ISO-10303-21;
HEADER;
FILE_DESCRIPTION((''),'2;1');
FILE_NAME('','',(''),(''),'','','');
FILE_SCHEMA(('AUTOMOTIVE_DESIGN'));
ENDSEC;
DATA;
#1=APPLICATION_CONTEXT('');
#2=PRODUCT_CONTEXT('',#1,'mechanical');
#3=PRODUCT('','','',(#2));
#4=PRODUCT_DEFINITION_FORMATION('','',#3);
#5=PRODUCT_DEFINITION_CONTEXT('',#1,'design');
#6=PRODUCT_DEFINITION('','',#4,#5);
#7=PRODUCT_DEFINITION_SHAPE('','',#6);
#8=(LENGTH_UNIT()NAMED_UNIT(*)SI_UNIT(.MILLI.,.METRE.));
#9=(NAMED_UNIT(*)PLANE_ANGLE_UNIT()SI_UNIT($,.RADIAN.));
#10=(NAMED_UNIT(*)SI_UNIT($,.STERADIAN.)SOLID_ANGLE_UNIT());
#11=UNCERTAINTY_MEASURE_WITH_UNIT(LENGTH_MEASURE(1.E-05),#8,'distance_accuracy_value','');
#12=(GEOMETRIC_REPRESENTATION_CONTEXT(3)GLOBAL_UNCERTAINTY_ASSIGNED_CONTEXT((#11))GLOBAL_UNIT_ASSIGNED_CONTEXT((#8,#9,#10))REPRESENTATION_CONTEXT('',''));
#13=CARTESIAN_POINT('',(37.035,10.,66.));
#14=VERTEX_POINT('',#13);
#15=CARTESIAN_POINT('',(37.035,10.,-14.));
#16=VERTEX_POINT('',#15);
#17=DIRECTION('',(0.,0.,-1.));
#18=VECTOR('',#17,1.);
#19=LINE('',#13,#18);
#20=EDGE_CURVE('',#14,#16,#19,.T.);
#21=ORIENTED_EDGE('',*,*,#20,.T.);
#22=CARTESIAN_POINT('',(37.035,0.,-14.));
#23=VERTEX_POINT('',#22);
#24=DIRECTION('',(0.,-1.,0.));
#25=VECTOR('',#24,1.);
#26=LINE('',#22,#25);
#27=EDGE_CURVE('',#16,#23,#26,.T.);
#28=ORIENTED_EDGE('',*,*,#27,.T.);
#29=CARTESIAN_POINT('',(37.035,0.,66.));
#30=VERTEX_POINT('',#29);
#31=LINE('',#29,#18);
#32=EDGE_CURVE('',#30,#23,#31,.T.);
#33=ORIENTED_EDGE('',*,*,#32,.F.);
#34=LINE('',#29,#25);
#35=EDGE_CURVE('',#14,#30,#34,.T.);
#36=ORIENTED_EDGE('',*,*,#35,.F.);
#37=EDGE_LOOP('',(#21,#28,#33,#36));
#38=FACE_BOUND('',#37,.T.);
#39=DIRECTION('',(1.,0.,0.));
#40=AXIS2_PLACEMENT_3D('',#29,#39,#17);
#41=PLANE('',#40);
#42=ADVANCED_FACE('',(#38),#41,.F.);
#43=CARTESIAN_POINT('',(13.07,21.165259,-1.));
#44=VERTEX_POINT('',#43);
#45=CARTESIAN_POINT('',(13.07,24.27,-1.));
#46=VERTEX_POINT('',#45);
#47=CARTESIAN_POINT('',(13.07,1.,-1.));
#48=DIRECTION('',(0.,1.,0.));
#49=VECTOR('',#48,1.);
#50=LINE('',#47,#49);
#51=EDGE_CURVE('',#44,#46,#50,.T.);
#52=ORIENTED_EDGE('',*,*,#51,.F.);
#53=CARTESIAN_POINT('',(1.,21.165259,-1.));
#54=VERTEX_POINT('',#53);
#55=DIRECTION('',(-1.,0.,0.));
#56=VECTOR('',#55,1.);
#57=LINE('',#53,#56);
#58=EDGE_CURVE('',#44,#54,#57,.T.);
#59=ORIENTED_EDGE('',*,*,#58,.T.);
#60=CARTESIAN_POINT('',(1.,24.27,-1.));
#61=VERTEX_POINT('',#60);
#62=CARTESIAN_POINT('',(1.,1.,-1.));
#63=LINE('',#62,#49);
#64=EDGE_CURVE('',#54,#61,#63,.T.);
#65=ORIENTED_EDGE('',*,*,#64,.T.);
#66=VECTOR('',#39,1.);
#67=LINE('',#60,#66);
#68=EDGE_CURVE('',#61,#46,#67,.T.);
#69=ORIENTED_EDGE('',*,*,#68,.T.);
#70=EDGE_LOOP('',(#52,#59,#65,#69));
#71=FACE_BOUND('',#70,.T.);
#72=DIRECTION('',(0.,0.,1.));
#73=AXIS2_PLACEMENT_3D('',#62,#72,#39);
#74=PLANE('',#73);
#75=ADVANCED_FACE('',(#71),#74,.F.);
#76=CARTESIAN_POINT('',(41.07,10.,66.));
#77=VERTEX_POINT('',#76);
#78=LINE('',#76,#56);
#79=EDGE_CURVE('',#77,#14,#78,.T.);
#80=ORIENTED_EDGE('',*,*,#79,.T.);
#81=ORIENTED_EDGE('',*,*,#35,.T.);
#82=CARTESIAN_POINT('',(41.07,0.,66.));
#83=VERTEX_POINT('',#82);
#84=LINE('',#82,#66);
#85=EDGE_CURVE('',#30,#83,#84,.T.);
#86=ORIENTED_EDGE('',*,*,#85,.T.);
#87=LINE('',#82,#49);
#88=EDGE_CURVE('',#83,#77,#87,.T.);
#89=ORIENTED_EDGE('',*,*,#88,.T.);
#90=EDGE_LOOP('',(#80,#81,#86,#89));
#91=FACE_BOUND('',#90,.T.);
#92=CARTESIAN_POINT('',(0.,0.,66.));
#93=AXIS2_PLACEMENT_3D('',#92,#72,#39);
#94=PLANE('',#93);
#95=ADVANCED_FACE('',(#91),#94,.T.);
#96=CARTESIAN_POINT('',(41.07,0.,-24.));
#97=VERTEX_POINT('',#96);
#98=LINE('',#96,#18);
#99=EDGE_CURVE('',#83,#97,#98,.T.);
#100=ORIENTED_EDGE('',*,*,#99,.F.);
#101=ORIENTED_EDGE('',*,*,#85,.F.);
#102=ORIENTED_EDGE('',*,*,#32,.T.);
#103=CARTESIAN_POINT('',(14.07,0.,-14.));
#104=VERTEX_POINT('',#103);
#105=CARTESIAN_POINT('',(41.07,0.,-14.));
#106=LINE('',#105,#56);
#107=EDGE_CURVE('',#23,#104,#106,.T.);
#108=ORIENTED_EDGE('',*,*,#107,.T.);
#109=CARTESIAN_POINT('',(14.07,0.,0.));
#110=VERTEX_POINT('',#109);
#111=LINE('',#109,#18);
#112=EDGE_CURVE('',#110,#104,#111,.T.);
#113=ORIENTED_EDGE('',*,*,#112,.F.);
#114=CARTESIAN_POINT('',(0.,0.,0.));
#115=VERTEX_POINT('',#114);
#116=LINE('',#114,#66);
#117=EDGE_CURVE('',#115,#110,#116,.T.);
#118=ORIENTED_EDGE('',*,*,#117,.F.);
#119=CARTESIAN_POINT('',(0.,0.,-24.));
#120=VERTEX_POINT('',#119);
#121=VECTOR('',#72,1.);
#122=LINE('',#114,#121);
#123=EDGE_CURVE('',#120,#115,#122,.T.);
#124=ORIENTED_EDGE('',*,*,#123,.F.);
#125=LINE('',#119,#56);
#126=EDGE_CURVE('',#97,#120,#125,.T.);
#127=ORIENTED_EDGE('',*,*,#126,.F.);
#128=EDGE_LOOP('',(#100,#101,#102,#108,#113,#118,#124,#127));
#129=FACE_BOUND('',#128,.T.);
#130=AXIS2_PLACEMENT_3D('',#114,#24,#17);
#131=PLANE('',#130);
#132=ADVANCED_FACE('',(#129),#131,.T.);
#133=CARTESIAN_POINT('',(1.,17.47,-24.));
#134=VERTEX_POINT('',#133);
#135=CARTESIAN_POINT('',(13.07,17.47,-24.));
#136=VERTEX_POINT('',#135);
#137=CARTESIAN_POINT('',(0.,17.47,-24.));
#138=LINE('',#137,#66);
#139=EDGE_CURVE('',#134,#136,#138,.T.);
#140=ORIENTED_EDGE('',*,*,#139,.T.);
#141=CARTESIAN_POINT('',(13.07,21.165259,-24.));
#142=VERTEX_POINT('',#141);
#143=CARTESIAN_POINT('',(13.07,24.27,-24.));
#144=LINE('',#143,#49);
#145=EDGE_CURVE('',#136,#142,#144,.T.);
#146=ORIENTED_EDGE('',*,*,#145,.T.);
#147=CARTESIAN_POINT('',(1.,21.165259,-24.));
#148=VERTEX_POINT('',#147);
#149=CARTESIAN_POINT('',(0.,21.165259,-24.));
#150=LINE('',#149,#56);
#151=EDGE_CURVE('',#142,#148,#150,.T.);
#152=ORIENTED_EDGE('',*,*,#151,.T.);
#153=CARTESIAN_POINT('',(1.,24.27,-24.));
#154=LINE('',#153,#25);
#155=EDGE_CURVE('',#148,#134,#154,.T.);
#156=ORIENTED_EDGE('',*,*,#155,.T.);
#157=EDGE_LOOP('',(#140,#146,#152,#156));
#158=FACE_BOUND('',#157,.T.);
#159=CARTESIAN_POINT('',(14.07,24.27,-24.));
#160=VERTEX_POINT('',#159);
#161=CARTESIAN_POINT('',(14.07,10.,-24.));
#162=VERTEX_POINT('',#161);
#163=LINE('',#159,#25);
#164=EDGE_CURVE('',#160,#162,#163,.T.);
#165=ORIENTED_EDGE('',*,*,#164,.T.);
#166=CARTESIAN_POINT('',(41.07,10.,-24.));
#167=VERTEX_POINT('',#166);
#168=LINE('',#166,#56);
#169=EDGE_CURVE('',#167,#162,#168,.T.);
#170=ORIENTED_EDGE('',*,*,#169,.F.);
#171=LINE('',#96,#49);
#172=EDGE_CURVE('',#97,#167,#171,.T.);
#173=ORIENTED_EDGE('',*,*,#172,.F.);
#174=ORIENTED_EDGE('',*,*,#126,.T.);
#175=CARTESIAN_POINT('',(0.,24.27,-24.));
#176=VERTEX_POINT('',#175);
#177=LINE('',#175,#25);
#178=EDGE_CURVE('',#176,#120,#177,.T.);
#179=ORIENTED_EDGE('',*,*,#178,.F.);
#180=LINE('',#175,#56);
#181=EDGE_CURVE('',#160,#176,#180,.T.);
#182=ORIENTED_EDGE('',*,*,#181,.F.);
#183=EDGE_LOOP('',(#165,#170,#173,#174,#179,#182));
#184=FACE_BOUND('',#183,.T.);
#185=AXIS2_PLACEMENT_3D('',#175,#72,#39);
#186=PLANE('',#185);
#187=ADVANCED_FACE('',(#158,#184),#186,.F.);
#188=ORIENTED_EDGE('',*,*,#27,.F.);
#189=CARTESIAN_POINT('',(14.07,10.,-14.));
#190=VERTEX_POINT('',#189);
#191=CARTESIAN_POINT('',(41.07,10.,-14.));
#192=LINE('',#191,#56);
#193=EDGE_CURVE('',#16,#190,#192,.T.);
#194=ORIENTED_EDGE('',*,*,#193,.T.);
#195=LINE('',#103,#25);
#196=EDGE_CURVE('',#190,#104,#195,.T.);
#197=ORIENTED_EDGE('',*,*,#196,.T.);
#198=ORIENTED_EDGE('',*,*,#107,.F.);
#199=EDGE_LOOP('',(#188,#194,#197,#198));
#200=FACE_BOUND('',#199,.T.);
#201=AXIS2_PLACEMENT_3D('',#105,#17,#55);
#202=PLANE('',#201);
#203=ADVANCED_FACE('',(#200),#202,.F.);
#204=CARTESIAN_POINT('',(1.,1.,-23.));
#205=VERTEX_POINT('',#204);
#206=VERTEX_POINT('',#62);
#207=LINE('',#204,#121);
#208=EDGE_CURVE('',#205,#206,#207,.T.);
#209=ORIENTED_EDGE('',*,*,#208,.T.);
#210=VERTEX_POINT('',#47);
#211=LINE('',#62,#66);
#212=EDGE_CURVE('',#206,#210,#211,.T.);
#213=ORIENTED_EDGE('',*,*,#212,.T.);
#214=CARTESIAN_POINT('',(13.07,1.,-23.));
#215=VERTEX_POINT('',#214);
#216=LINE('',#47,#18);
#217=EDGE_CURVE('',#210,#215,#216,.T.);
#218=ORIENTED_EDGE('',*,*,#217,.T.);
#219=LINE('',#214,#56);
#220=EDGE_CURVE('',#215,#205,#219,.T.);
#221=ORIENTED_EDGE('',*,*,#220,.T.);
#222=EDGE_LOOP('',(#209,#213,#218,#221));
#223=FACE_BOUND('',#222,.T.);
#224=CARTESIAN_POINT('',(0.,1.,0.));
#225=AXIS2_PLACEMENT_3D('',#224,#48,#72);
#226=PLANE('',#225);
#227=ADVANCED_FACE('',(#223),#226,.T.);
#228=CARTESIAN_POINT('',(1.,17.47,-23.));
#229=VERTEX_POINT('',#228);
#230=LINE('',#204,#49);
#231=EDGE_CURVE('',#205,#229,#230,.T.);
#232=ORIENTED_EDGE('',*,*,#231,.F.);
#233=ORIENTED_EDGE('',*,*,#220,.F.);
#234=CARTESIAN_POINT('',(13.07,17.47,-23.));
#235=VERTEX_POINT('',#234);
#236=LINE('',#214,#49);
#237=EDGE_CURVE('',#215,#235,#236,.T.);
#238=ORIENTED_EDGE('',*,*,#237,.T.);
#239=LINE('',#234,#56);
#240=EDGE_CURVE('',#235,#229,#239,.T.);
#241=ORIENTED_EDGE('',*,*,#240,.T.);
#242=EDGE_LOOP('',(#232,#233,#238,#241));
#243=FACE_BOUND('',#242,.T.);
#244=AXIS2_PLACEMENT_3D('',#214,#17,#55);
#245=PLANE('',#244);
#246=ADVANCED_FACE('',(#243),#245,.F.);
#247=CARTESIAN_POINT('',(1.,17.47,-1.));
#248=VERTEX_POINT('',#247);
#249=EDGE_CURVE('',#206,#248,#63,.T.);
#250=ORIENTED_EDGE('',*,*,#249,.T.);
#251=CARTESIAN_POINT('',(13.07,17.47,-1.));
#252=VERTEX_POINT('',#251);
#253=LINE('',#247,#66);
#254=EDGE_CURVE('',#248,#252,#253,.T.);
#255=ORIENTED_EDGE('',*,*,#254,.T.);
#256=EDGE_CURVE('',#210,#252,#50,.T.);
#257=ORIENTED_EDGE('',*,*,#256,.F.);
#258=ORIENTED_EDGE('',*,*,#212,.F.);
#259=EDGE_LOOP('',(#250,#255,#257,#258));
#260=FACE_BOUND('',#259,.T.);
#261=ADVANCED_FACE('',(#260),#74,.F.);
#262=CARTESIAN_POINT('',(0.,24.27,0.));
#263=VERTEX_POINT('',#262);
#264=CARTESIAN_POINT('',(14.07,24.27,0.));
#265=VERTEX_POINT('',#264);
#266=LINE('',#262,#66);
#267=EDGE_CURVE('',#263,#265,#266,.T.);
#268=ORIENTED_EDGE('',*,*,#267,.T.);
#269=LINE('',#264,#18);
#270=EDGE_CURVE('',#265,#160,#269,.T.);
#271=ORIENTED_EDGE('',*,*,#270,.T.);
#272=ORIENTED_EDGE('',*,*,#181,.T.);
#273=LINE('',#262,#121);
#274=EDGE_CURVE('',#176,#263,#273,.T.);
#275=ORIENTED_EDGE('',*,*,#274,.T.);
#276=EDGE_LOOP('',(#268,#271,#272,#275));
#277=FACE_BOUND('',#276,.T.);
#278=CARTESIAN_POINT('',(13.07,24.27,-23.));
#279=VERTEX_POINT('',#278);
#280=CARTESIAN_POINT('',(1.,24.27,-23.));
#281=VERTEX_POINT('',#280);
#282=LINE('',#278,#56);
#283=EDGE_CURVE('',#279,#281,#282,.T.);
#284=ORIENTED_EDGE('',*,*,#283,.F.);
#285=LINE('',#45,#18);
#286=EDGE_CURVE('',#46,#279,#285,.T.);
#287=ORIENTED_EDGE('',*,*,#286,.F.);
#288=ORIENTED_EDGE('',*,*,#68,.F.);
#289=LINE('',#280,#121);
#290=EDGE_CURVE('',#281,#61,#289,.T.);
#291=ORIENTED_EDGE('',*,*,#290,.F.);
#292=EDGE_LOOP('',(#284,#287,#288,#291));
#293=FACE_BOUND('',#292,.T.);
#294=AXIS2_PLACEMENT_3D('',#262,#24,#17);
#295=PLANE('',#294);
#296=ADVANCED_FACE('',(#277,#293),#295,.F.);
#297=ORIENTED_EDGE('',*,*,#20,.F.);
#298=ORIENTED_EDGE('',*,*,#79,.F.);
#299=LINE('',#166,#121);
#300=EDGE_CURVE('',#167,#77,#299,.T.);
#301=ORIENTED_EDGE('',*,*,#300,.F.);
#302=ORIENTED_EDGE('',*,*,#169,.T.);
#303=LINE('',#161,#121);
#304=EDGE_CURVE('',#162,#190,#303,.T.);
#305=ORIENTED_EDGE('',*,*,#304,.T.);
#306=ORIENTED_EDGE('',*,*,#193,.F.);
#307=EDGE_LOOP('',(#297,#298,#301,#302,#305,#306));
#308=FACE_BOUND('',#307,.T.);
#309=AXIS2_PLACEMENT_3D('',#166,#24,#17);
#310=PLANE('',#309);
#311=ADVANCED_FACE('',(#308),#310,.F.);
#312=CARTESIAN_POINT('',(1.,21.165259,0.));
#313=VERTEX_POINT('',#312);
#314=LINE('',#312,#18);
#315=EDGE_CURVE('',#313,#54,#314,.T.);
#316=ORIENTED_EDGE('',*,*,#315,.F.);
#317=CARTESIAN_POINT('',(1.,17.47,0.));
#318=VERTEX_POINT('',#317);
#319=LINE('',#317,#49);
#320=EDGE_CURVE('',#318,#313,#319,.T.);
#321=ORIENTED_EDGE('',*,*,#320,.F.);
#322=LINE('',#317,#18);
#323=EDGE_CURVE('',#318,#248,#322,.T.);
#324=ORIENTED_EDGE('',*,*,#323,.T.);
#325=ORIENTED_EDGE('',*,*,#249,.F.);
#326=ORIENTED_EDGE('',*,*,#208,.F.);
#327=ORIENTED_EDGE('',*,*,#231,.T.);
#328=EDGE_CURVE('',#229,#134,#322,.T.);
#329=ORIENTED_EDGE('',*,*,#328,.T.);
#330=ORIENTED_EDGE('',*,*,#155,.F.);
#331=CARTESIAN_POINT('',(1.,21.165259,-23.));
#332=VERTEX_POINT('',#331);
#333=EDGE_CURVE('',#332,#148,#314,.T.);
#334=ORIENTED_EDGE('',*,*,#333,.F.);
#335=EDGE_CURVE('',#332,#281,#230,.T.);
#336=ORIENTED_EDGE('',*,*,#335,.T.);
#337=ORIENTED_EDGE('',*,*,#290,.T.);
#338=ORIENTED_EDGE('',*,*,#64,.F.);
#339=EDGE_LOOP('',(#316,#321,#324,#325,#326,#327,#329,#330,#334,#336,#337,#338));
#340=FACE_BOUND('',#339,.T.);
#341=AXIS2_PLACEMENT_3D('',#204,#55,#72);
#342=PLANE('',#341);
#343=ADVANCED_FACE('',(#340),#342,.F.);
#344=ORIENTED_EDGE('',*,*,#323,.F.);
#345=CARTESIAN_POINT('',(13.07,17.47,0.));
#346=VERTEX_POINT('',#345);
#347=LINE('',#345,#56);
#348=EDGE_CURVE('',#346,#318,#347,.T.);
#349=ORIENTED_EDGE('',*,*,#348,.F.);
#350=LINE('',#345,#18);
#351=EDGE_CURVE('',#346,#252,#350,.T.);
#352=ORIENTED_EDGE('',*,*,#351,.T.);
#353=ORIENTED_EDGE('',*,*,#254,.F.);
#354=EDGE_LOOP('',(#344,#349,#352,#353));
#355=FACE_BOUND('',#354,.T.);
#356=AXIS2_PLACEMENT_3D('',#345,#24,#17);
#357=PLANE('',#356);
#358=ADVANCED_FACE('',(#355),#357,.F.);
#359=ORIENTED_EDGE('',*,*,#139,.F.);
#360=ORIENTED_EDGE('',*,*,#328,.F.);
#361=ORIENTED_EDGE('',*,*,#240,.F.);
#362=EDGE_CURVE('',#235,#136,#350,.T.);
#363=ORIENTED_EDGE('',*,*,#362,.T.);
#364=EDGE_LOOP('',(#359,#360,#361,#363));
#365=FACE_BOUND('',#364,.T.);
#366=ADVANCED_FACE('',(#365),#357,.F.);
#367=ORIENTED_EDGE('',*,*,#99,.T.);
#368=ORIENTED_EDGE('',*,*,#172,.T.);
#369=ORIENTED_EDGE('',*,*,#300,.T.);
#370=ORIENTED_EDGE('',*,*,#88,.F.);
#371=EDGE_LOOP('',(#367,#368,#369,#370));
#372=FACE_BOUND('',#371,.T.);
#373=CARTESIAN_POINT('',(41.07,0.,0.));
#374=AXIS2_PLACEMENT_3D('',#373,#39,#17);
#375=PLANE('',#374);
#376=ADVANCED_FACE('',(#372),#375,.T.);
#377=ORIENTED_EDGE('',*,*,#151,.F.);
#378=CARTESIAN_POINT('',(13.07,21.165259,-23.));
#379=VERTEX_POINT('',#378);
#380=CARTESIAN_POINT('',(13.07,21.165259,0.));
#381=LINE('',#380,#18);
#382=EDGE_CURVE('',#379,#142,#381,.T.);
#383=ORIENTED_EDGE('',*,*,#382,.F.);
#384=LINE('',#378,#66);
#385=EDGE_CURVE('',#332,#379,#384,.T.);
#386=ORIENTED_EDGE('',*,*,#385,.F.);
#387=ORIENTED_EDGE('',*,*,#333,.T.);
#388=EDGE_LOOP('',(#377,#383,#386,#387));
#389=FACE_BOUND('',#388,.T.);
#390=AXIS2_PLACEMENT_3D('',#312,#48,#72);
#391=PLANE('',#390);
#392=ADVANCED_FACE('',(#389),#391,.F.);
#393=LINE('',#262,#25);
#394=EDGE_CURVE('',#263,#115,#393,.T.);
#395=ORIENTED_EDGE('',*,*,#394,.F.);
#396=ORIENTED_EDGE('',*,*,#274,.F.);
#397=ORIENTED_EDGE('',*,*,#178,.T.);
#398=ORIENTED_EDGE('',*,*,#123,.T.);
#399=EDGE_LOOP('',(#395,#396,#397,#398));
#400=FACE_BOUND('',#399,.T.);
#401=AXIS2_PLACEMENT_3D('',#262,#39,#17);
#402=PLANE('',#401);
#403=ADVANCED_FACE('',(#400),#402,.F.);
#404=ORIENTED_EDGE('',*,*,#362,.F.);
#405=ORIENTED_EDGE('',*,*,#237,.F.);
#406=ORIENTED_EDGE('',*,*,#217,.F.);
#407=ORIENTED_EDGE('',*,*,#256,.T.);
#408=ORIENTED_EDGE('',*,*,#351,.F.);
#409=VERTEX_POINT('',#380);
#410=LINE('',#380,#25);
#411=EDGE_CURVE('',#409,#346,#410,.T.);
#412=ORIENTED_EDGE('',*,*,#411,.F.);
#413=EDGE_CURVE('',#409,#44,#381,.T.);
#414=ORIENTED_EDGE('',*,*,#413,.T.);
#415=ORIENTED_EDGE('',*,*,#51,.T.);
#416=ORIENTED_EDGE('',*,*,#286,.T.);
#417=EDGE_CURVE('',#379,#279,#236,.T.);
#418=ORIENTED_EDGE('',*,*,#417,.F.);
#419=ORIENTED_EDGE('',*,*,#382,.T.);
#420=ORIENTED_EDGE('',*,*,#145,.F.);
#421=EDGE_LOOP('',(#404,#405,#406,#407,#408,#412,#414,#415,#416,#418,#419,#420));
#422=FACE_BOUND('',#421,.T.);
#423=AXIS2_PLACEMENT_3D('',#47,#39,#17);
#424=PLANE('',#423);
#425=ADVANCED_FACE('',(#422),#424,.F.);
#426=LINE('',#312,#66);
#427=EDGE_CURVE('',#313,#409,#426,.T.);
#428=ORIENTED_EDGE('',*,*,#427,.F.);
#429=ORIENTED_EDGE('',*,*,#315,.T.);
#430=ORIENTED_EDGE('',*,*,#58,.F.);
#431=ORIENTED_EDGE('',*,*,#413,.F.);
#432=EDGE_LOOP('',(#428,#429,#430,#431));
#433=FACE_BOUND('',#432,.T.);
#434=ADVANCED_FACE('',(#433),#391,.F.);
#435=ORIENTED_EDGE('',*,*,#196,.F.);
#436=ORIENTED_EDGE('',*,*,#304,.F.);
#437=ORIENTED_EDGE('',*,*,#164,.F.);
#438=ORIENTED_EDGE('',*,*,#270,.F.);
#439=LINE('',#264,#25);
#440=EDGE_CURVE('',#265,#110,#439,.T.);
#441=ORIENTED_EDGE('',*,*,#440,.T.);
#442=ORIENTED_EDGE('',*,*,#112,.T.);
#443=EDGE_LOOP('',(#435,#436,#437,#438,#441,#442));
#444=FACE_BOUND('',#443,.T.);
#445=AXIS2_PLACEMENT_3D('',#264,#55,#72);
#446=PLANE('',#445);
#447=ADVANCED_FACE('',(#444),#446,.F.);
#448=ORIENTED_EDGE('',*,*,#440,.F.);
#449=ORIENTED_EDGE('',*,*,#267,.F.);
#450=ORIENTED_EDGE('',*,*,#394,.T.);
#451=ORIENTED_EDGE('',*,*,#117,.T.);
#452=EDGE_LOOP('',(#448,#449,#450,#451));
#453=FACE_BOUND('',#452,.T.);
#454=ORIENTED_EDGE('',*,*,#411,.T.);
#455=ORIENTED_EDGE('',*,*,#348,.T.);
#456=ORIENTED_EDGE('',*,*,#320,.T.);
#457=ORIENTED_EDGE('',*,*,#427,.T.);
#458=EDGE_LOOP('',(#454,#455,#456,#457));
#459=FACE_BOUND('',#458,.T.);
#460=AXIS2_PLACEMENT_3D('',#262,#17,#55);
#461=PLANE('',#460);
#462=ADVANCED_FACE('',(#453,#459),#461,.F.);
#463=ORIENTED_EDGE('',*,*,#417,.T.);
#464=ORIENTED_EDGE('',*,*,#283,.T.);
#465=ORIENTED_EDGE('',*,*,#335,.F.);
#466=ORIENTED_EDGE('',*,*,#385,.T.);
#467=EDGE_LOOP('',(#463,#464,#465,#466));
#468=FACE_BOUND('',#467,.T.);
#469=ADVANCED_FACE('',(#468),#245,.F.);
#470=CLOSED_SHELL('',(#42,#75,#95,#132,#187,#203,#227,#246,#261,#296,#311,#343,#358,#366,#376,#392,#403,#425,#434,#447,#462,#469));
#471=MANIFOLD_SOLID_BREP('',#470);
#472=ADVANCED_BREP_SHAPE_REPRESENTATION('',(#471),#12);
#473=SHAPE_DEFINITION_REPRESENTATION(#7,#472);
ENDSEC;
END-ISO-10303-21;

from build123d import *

# Parameters (mm, degrees)
SKETCH1_W               = 14.07
SKETCH1_H               = 24
BOSS_EXTRUDE1_DEPTH     = 24.27
SKETCH3_W               = 12.07
SKETCH3_H               = 22
CUT_EXTRUDE1_DEPTH      = 23.27
CUT_EXTRUDE2_DEPTH      = 37.918800089
CUT_EXTRUDE2_DEPTH_BACK = 37.918800089
SKETCH5_W               = 12.07
SKETCH5_H               = 3.69525946
SKETCH6_W               = 10
SKETCH6_H               = 10
BOSS_EXTRUDE2_DEPTH     = 27
SKETCH7_W               = 4.035
SKETCH7_H               = 10
BOSS_EXTRUDE3_DEPTH     = 80


with BuildPart() as part:
    # Sketch1 → Boss-Extrude1 (new body)
    with BuildSketch(Plane(origin=(0, 0, 0), x_dir=(1, 0, 0), z_dir=(0, 1, 0))):
        with Locations((7.035, 12)):
            Rectangle(SKETCH1_W, SKETCH1_H)
    extrude(amount=BOSS_EXTRUDE1_DEPTH)

    # Sketch3 → Cut-Extrude1 (cut)
    with BuildSketch(Plane(origin=(0, 24.27, 0), x_dir=(1, 0, 0), z_dir=(0, 1, 0))):
        with Locations((7.035, 12)):
            Rectangle(SKETCH3_W, SKETCH3_H)
    extrude(amount=-CUT_EXTRUDE1_DEPTH, mode=Mode.SUBTRACT)

    # Sketch5 → Cut-Extrude2 (cut, two sides: drawn at the far end of the back side and taken through both)
    with BuildSketch(Plane(origin=(0, 0, -24), x_dir=(-1, 0, 0), z_dir=(0, 0, -1)).offset(-CUT_EXTRUDE2_DEPTH_BACK)):
        with Locations((-7.035, 19.31762973)):
            Rectangle(SKETCH5_W, SKETCH5_H)
    extrude(amount=CUT_EXTRUDE2_DEPTH + CUT_EXTRUDE2_DEPTH_BACK, mode=Mode.SUBTRACT)

    # Sketch6 → Boss-Extrude2 (add)
    with BuildSketch(Plane(origin=(14.07, 0, 0), x_dir=(0, 0, -1), z_dir=(1, 0, 0))):
        with Locations((19, 5)):
            Rectangle(SKETCH6_W, SKETCH6_H)
    extrude(amount=BOSS_EXTRUDE2_DEPTH)

    # Sketch7 → Boss-Extrude3 (add)
    with BuildSketch(Plane.XY.offset(-14)):
        with Locations((39.0525, 5)):
            Rectangle(SKETCH7_W, SKETCH7_H)
    extrude(amount=BOSS_EXTRUDE3_DEPTH)


solid = part.part
